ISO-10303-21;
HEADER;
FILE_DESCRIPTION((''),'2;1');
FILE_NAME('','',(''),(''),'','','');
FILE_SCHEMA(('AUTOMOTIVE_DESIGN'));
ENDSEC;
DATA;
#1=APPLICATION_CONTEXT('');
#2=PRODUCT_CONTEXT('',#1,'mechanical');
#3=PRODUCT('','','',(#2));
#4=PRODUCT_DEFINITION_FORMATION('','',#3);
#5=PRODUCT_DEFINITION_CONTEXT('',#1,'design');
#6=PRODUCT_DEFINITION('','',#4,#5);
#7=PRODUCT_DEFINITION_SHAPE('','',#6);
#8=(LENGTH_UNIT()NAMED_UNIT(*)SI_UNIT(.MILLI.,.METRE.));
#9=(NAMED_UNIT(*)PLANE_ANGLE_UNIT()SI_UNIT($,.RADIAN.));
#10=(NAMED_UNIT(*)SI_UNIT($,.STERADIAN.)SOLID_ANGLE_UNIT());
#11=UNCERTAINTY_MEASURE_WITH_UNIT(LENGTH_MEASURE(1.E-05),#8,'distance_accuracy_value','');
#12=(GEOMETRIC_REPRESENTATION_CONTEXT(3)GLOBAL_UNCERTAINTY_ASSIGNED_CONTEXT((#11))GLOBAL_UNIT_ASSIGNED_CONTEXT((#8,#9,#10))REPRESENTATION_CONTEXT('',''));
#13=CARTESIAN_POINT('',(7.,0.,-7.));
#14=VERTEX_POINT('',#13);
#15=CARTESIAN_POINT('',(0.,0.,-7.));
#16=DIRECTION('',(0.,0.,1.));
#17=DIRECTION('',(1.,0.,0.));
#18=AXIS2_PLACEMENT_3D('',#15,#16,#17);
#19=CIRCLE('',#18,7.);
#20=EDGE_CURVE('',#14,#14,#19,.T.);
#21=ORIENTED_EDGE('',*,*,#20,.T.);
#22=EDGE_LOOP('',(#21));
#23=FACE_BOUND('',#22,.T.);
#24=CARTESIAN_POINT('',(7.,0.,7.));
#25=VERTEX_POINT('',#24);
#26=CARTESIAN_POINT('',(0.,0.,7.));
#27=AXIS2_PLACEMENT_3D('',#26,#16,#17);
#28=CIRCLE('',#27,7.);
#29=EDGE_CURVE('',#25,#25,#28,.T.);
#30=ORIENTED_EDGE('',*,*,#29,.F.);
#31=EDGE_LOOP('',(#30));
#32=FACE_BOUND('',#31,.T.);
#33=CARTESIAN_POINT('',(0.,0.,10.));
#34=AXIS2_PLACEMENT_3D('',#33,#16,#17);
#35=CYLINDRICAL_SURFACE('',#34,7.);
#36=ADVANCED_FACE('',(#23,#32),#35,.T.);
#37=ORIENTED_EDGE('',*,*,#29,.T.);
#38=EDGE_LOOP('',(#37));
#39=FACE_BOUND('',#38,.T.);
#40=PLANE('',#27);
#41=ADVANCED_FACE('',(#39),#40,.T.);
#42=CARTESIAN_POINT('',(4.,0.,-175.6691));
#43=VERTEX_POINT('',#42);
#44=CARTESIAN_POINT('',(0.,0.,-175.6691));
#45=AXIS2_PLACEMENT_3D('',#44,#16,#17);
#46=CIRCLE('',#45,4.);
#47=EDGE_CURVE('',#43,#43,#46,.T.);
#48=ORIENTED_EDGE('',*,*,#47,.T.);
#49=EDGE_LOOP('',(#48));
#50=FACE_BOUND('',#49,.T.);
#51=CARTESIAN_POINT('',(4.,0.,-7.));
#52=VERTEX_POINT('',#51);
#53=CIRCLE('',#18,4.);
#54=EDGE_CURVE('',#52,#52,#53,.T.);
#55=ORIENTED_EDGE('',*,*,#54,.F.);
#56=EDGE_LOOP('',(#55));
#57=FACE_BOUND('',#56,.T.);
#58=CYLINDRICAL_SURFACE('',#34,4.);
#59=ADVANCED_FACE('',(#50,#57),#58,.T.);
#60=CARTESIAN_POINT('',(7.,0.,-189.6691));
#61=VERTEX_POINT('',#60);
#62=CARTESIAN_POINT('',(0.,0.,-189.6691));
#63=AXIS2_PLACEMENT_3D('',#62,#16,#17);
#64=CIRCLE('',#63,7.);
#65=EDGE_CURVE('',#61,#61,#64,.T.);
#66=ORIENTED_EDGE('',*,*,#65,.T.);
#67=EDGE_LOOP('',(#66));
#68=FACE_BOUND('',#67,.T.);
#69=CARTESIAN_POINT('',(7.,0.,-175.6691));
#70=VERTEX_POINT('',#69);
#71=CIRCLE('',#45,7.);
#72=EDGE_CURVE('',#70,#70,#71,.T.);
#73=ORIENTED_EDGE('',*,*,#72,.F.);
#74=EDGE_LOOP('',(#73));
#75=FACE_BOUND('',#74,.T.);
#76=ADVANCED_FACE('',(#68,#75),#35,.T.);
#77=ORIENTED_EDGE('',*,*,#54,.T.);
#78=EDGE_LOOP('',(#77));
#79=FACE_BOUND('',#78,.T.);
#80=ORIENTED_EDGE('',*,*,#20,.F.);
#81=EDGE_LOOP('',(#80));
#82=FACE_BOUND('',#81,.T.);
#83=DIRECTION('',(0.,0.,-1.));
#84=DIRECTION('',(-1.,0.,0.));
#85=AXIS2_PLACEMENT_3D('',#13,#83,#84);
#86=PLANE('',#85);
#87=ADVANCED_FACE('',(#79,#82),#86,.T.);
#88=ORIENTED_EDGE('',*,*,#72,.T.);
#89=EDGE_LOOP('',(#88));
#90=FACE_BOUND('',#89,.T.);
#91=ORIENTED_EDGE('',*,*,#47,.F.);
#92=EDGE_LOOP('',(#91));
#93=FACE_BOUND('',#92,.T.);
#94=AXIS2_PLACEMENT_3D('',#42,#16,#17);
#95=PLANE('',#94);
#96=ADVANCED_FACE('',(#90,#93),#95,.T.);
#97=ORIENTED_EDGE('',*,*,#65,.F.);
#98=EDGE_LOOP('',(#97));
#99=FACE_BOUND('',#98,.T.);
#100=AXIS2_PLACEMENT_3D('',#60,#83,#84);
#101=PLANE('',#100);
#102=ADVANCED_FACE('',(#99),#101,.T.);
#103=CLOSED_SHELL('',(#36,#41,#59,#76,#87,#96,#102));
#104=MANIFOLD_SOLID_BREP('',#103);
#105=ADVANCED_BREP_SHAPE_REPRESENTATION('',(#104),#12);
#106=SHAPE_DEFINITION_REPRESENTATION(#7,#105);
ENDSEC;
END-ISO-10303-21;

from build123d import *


with BuildPart() as part:
    # SK_Rod → Rod_Body (revolve)
    with BuildSketch(Plane(origin=(0, 0, 0), x_dir=(1, 0, 0), z_dir=(0, 1, 0))):
        Polygon((0, -7), (7, -7), (7, 7), (4, 7), (4, 175.66909974), (7, 175.66909974), (7, 189.66909974), (0, 189.66909974), align=None)
    revolve(axis=Axis((0, 0, 10), (0, 0, -1)))


solid = part.part
